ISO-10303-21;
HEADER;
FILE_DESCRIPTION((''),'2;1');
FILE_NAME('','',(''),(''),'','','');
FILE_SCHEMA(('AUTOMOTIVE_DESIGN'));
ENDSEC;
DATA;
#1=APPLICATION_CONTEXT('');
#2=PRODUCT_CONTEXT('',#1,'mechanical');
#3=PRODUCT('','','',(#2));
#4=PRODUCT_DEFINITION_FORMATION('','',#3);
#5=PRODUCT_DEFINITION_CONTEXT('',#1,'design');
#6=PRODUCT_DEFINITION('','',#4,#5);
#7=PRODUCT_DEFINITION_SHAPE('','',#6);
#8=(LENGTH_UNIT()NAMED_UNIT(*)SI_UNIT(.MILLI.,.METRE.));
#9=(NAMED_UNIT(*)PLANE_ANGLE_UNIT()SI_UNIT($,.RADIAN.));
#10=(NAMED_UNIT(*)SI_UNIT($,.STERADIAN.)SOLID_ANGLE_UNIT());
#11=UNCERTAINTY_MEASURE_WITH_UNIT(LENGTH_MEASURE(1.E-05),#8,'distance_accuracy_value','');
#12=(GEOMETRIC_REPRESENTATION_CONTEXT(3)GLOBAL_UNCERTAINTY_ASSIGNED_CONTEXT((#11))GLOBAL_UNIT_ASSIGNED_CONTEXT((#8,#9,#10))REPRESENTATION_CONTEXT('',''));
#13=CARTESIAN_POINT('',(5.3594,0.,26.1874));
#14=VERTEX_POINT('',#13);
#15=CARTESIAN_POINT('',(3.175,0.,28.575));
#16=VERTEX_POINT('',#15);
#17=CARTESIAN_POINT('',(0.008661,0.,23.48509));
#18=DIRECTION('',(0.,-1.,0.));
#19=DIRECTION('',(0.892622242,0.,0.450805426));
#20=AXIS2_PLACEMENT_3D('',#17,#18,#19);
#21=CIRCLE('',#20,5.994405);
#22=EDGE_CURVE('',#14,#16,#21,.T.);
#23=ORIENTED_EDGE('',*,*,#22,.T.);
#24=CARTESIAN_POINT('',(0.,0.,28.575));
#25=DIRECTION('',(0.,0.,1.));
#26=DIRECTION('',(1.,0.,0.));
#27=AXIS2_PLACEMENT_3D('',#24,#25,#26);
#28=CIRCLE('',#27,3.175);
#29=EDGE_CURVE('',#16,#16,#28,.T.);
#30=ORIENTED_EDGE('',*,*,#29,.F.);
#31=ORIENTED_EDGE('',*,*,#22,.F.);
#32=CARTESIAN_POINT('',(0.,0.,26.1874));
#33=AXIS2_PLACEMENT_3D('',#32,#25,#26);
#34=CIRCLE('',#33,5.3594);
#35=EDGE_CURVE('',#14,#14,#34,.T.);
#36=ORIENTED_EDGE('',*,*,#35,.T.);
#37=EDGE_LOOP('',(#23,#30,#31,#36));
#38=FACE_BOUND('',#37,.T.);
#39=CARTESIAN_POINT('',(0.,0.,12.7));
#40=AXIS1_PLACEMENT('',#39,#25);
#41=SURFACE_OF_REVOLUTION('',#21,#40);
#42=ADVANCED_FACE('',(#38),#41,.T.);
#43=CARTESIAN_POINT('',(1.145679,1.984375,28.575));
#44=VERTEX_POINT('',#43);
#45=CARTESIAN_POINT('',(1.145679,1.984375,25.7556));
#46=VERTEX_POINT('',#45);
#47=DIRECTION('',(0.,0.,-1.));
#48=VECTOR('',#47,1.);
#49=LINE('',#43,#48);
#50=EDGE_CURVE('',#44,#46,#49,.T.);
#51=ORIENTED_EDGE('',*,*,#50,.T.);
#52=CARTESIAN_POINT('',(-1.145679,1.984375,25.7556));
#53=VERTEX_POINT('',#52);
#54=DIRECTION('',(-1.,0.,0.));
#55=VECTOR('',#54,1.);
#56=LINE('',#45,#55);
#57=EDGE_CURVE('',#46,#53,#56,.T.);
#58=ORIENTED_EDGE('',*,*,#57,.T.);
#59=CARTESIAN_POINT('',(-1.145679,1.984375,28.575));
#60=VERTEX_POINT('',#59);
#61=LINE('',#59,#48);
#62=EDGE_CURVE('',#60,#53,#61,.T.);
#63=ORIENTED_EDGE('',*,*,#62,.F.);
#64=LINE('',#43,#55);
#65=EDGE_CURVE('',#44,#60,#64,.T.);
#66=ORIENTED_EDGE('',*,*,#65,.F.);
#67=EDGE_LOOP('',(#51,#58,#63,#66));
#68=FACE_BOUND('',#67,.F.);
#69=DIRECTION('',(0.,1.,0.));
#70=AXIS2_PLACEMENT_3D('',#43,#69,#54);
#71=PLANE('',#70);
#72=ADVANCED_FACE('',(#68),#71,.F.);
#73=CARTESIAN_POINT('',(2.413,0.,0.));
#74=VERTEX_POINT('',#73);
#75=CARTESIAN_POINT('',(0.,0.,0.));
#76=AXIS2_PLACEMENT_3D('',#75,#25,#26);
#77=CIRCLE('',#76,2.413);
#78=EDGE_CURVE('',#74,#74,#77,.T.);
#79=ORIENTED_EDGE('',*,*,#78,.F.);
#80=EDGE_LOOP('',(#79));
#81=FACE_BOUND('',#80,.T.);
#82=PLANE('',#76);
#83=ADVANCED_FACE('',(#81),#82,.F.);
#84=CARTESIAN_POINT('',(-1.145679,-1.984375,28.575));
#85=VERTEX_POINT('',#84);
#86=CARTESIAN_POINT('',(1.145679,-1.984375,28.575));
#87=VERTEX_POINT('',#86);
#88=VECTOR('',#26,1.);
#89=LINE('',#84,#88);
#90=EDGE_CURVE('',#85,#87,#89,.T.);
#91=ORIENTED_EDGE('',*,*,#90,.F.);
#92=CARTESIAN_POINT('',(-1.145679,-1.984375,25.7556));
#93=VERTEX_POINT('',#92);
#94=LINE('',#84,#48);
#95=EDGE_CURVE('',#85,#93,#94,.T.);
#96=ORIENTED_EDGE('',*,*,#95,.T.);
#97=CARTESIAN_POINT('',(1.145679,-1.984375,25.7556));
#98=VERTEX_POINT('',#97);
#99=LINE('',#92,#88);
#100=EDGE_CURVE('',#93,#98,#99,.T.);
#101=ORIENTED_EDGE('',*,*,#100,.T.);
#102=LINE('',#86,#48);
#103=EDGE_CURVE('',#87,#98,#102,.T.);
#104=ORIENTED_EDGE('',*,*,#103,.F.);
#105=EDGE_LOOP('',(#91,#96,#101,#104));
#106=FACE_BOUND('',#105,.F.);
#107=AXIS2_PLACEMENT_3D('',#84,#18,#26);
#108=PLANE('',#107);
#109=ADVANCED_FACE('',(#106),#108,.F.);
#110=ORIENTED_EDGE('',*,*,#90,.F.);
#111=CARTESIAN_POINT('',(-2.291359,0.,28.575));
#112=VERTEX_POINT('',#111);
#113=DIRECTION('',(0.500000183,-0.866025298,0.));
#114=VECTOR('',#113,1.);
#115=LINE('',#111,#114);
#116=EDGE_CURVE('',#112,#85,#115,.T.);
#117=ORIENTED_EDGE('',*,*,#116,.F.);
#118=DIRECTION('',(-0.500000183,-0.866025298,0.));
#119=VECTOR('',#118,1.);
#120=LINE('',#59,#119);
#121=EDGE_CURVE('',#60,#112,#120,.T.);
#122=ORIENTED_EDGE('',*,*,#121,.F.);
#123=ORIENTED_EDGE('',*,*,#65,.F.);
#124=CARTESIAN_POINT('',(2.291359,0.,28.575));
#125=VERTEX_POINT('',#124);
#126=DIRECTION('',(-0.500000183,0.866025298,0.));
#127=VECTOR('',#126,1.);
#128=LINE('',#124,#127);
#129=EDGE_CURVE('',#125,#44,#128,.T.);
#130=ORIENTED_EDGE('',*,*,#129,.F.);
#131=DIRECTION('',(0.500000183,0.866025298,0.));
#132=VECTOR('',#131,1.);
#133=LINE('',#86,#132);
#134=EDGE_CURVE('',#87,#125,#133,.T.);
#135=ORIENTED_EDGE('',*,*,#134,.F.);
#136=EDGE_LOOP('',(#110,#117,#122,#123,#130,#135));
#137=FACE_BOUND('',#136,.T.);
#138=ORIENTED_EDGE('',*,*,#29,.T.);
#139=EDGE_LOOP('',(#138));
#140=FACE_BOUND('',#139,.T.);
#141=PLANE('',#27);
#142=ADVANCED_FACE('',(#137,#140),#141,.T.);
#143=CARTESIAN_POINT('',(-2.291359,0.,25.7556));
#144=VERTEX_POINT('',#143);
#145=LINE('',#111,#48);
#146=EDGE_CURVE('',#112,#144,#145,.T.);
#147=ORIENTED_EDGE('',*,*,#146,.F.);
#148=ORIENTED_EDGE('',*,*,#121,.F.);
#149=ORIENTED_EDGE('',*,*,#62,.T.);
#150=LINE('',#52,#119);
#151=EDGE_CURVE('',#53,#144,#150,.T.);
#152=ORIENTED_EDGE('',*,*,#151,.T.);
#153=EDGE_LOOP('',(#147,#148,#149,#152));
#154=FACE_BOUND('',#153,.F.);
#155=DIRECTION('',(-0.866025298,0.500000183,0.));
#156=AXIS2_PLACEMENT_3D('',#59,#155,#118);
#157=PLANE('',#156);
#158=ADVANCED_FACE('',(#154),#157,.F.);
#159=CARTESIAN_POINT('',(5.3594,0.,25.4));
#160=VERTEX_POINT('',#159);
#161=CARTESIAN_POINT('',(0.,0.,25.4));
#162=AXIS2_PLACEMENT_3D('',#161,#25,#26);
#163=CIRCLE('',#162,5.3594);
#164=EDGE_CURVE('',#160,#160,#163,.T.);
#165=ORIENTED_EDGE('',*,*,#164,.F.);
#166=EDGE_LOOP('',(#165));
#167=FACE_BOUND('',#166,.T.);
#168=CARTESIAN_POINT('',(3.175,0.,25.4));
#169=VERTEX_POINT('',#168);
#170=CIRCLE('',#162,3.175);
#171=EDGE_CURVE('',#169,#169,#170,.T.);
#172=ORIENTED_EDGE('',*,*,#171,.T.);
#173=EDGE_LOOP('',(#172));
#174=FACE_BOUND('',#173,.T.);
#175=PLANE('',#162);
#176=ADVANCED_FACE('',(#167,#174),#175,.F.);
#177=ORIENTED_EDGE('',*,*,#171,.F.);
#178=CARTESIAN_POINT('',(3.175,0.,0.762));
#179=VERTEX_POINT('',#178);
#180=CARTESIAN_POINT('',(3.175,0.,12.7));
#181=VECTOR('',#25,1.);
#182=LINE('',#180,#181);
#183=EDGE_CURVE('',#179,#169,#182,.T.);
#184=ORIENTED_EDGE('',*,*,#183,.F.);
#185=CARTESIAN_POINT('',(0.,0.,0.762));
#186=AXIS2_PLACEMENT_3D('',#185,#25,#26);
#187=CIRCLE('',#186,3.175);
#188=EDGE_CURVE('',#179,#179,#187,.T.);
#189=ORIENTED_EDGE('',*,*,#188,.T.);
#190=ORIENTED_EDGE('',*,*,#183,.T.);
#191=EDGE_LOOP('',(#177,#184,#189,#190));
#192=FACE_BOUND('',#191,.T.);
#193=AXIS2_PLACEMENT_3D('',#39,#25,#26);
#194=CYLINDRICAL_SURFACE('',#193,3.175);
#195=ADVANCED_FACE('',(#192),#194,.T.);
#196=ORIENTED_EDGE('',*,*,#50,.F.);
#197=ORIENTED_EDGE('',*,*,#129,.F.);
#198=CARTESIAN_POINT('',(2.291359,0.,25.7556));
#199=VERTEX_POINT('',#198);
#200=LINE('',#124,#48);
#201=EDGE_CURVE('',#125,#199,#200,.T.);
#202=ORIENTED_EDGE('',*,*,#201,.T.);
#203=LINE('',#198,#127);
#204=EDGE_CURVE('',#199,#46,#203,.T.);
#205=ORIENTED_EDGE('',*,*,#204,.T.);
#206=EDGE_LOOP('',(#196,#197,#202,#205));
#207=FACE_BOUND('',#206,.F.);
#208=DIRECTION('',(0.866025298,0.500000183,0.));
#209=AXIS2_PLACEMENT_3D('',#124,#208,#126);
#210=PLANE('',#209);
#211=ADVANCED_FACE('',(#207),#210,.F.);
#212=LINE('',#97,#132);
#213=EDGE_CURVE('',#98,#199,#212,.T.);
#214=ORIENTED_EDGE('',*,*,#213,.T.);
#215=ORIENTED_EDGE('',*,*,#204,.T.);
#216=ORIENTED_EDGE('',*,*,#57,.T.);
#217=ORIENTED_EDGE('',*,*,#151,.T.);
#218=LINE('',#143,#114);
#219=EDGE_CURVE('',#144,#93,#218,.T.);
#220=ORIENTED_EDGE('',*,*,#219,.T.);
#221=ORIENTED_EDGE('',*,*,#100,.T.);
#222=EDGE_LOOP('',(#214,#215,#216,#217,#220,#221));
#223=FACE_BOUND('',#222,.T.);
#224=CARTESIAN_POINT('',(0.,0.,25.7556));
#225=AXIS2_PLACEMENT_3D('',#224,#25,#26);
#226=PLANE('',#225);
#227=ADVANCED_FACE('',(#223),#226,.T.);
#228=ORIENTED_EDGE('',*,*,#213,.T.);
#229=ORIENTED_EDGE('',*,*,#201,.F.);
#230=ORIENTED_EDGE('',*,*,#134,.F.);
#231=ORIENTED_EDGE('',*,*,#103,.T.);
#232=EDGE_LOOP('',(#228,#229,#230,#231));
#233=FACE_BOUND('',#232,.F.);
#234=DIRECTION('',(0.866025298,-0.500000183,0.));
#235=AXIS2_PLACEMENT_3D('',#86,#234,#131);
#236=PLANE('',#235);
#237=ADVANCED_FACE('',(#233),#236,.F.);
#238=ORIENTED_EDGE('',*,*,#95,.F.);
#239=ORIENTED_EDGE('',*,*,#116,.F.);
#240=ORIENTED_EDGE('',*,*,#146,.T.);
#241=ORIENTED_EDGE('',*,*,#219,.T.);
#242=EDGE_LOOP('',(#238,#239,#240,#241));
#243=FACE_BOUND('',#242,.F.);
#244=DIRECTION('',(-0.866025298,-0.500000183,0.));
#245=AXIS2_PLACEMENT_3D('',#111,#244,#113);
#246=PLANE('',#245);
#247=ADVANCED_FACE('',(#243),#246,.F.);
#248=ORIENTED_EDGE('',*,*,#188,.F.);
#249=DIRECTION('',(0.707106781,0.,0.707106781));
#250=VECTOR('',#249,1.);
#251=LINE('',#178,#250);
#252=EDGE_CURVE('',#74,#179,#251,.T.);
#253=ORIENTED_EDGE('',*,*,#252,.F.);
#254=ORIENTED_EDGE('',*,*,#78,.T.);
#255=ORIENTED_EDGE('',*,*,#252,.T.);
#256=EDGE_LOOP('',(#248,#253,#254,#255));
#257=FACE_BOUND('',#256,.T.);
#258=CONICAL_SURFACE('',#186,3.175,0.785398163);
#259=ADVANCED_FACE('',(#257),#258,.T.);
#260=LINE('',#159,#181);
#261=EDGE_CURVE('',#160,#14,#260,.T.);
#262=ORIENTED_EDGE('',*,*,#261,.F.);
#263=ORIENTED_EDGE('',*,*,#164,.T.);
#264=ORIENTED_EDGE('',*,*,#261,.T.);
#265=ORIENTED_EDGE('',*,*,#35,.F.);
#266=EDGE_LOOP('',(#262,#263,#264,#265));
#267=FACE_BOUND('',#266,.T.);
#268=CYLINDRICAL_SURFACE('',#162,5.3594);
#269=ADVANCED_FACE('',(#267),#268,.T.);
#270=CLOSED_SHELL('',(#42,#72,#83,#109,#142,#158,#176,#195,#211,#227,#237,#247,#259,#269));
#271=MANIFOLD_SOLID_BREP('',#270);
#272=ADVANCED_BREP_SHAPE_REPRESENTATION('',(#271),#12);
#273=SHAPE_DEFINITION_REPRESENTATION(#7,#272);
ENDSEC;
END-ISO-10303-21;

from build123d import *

# Parameters (mm, degrees)
F0_W     = 3.175
F0_H     = 25.4
F2_SIZE2 = 0.762
F2_SIZE  = 0.762
F4_DEPTH = 2.8194


with BuildPart() as f1:
    # F0 (on Front) → F1 (revolve)
    with BuildSketch(Plane.XZ):
        with Locations((1.5875, 12.7)):
            Rectangle(F0_W, F0_H)
        with BuildLine():
            Line((0, 28.575), (0, 25.4))
            Line((0, 25.4), (3.175, 25.4))
            Line((3.175, 25.4), (5.3594, 25.4))
            Line((5.3594, 25.4), (5.3594, 26.1874))
            ThreePointArc((5.3594, 26.1874), (4.431365, 27.531394), (3.175, 28.575))
            Line((3.175, 28.575), (0, 28.575))
        make_face()
    revolve(axis=Axis((0, 0, 12.7), (0, 0, 1)))

    # F2
    f2_edges = [f1.edges().sort_by_distance(p)[0] for p in [
        (-3.175, 0, 0),
    ]]
    chamfer(f2_edges, length=F2_SIZE, length2=F2_SIZE2)

    # F3 (on face) → F4 (cut)
    with BuildSketch(Plane.XY.offset(28.575)):
        Polygon((1.145679, 1.984375), (-1.145679, 1.984375), (-2.291359, 0), (-1.145679, -1.984375), (1.145679, -1.984375), (2.291359, 0), align=None)
    extrude(amount=-F4_DEPTH, mode=Mode.SUBTRACT)


solid = f1.part
